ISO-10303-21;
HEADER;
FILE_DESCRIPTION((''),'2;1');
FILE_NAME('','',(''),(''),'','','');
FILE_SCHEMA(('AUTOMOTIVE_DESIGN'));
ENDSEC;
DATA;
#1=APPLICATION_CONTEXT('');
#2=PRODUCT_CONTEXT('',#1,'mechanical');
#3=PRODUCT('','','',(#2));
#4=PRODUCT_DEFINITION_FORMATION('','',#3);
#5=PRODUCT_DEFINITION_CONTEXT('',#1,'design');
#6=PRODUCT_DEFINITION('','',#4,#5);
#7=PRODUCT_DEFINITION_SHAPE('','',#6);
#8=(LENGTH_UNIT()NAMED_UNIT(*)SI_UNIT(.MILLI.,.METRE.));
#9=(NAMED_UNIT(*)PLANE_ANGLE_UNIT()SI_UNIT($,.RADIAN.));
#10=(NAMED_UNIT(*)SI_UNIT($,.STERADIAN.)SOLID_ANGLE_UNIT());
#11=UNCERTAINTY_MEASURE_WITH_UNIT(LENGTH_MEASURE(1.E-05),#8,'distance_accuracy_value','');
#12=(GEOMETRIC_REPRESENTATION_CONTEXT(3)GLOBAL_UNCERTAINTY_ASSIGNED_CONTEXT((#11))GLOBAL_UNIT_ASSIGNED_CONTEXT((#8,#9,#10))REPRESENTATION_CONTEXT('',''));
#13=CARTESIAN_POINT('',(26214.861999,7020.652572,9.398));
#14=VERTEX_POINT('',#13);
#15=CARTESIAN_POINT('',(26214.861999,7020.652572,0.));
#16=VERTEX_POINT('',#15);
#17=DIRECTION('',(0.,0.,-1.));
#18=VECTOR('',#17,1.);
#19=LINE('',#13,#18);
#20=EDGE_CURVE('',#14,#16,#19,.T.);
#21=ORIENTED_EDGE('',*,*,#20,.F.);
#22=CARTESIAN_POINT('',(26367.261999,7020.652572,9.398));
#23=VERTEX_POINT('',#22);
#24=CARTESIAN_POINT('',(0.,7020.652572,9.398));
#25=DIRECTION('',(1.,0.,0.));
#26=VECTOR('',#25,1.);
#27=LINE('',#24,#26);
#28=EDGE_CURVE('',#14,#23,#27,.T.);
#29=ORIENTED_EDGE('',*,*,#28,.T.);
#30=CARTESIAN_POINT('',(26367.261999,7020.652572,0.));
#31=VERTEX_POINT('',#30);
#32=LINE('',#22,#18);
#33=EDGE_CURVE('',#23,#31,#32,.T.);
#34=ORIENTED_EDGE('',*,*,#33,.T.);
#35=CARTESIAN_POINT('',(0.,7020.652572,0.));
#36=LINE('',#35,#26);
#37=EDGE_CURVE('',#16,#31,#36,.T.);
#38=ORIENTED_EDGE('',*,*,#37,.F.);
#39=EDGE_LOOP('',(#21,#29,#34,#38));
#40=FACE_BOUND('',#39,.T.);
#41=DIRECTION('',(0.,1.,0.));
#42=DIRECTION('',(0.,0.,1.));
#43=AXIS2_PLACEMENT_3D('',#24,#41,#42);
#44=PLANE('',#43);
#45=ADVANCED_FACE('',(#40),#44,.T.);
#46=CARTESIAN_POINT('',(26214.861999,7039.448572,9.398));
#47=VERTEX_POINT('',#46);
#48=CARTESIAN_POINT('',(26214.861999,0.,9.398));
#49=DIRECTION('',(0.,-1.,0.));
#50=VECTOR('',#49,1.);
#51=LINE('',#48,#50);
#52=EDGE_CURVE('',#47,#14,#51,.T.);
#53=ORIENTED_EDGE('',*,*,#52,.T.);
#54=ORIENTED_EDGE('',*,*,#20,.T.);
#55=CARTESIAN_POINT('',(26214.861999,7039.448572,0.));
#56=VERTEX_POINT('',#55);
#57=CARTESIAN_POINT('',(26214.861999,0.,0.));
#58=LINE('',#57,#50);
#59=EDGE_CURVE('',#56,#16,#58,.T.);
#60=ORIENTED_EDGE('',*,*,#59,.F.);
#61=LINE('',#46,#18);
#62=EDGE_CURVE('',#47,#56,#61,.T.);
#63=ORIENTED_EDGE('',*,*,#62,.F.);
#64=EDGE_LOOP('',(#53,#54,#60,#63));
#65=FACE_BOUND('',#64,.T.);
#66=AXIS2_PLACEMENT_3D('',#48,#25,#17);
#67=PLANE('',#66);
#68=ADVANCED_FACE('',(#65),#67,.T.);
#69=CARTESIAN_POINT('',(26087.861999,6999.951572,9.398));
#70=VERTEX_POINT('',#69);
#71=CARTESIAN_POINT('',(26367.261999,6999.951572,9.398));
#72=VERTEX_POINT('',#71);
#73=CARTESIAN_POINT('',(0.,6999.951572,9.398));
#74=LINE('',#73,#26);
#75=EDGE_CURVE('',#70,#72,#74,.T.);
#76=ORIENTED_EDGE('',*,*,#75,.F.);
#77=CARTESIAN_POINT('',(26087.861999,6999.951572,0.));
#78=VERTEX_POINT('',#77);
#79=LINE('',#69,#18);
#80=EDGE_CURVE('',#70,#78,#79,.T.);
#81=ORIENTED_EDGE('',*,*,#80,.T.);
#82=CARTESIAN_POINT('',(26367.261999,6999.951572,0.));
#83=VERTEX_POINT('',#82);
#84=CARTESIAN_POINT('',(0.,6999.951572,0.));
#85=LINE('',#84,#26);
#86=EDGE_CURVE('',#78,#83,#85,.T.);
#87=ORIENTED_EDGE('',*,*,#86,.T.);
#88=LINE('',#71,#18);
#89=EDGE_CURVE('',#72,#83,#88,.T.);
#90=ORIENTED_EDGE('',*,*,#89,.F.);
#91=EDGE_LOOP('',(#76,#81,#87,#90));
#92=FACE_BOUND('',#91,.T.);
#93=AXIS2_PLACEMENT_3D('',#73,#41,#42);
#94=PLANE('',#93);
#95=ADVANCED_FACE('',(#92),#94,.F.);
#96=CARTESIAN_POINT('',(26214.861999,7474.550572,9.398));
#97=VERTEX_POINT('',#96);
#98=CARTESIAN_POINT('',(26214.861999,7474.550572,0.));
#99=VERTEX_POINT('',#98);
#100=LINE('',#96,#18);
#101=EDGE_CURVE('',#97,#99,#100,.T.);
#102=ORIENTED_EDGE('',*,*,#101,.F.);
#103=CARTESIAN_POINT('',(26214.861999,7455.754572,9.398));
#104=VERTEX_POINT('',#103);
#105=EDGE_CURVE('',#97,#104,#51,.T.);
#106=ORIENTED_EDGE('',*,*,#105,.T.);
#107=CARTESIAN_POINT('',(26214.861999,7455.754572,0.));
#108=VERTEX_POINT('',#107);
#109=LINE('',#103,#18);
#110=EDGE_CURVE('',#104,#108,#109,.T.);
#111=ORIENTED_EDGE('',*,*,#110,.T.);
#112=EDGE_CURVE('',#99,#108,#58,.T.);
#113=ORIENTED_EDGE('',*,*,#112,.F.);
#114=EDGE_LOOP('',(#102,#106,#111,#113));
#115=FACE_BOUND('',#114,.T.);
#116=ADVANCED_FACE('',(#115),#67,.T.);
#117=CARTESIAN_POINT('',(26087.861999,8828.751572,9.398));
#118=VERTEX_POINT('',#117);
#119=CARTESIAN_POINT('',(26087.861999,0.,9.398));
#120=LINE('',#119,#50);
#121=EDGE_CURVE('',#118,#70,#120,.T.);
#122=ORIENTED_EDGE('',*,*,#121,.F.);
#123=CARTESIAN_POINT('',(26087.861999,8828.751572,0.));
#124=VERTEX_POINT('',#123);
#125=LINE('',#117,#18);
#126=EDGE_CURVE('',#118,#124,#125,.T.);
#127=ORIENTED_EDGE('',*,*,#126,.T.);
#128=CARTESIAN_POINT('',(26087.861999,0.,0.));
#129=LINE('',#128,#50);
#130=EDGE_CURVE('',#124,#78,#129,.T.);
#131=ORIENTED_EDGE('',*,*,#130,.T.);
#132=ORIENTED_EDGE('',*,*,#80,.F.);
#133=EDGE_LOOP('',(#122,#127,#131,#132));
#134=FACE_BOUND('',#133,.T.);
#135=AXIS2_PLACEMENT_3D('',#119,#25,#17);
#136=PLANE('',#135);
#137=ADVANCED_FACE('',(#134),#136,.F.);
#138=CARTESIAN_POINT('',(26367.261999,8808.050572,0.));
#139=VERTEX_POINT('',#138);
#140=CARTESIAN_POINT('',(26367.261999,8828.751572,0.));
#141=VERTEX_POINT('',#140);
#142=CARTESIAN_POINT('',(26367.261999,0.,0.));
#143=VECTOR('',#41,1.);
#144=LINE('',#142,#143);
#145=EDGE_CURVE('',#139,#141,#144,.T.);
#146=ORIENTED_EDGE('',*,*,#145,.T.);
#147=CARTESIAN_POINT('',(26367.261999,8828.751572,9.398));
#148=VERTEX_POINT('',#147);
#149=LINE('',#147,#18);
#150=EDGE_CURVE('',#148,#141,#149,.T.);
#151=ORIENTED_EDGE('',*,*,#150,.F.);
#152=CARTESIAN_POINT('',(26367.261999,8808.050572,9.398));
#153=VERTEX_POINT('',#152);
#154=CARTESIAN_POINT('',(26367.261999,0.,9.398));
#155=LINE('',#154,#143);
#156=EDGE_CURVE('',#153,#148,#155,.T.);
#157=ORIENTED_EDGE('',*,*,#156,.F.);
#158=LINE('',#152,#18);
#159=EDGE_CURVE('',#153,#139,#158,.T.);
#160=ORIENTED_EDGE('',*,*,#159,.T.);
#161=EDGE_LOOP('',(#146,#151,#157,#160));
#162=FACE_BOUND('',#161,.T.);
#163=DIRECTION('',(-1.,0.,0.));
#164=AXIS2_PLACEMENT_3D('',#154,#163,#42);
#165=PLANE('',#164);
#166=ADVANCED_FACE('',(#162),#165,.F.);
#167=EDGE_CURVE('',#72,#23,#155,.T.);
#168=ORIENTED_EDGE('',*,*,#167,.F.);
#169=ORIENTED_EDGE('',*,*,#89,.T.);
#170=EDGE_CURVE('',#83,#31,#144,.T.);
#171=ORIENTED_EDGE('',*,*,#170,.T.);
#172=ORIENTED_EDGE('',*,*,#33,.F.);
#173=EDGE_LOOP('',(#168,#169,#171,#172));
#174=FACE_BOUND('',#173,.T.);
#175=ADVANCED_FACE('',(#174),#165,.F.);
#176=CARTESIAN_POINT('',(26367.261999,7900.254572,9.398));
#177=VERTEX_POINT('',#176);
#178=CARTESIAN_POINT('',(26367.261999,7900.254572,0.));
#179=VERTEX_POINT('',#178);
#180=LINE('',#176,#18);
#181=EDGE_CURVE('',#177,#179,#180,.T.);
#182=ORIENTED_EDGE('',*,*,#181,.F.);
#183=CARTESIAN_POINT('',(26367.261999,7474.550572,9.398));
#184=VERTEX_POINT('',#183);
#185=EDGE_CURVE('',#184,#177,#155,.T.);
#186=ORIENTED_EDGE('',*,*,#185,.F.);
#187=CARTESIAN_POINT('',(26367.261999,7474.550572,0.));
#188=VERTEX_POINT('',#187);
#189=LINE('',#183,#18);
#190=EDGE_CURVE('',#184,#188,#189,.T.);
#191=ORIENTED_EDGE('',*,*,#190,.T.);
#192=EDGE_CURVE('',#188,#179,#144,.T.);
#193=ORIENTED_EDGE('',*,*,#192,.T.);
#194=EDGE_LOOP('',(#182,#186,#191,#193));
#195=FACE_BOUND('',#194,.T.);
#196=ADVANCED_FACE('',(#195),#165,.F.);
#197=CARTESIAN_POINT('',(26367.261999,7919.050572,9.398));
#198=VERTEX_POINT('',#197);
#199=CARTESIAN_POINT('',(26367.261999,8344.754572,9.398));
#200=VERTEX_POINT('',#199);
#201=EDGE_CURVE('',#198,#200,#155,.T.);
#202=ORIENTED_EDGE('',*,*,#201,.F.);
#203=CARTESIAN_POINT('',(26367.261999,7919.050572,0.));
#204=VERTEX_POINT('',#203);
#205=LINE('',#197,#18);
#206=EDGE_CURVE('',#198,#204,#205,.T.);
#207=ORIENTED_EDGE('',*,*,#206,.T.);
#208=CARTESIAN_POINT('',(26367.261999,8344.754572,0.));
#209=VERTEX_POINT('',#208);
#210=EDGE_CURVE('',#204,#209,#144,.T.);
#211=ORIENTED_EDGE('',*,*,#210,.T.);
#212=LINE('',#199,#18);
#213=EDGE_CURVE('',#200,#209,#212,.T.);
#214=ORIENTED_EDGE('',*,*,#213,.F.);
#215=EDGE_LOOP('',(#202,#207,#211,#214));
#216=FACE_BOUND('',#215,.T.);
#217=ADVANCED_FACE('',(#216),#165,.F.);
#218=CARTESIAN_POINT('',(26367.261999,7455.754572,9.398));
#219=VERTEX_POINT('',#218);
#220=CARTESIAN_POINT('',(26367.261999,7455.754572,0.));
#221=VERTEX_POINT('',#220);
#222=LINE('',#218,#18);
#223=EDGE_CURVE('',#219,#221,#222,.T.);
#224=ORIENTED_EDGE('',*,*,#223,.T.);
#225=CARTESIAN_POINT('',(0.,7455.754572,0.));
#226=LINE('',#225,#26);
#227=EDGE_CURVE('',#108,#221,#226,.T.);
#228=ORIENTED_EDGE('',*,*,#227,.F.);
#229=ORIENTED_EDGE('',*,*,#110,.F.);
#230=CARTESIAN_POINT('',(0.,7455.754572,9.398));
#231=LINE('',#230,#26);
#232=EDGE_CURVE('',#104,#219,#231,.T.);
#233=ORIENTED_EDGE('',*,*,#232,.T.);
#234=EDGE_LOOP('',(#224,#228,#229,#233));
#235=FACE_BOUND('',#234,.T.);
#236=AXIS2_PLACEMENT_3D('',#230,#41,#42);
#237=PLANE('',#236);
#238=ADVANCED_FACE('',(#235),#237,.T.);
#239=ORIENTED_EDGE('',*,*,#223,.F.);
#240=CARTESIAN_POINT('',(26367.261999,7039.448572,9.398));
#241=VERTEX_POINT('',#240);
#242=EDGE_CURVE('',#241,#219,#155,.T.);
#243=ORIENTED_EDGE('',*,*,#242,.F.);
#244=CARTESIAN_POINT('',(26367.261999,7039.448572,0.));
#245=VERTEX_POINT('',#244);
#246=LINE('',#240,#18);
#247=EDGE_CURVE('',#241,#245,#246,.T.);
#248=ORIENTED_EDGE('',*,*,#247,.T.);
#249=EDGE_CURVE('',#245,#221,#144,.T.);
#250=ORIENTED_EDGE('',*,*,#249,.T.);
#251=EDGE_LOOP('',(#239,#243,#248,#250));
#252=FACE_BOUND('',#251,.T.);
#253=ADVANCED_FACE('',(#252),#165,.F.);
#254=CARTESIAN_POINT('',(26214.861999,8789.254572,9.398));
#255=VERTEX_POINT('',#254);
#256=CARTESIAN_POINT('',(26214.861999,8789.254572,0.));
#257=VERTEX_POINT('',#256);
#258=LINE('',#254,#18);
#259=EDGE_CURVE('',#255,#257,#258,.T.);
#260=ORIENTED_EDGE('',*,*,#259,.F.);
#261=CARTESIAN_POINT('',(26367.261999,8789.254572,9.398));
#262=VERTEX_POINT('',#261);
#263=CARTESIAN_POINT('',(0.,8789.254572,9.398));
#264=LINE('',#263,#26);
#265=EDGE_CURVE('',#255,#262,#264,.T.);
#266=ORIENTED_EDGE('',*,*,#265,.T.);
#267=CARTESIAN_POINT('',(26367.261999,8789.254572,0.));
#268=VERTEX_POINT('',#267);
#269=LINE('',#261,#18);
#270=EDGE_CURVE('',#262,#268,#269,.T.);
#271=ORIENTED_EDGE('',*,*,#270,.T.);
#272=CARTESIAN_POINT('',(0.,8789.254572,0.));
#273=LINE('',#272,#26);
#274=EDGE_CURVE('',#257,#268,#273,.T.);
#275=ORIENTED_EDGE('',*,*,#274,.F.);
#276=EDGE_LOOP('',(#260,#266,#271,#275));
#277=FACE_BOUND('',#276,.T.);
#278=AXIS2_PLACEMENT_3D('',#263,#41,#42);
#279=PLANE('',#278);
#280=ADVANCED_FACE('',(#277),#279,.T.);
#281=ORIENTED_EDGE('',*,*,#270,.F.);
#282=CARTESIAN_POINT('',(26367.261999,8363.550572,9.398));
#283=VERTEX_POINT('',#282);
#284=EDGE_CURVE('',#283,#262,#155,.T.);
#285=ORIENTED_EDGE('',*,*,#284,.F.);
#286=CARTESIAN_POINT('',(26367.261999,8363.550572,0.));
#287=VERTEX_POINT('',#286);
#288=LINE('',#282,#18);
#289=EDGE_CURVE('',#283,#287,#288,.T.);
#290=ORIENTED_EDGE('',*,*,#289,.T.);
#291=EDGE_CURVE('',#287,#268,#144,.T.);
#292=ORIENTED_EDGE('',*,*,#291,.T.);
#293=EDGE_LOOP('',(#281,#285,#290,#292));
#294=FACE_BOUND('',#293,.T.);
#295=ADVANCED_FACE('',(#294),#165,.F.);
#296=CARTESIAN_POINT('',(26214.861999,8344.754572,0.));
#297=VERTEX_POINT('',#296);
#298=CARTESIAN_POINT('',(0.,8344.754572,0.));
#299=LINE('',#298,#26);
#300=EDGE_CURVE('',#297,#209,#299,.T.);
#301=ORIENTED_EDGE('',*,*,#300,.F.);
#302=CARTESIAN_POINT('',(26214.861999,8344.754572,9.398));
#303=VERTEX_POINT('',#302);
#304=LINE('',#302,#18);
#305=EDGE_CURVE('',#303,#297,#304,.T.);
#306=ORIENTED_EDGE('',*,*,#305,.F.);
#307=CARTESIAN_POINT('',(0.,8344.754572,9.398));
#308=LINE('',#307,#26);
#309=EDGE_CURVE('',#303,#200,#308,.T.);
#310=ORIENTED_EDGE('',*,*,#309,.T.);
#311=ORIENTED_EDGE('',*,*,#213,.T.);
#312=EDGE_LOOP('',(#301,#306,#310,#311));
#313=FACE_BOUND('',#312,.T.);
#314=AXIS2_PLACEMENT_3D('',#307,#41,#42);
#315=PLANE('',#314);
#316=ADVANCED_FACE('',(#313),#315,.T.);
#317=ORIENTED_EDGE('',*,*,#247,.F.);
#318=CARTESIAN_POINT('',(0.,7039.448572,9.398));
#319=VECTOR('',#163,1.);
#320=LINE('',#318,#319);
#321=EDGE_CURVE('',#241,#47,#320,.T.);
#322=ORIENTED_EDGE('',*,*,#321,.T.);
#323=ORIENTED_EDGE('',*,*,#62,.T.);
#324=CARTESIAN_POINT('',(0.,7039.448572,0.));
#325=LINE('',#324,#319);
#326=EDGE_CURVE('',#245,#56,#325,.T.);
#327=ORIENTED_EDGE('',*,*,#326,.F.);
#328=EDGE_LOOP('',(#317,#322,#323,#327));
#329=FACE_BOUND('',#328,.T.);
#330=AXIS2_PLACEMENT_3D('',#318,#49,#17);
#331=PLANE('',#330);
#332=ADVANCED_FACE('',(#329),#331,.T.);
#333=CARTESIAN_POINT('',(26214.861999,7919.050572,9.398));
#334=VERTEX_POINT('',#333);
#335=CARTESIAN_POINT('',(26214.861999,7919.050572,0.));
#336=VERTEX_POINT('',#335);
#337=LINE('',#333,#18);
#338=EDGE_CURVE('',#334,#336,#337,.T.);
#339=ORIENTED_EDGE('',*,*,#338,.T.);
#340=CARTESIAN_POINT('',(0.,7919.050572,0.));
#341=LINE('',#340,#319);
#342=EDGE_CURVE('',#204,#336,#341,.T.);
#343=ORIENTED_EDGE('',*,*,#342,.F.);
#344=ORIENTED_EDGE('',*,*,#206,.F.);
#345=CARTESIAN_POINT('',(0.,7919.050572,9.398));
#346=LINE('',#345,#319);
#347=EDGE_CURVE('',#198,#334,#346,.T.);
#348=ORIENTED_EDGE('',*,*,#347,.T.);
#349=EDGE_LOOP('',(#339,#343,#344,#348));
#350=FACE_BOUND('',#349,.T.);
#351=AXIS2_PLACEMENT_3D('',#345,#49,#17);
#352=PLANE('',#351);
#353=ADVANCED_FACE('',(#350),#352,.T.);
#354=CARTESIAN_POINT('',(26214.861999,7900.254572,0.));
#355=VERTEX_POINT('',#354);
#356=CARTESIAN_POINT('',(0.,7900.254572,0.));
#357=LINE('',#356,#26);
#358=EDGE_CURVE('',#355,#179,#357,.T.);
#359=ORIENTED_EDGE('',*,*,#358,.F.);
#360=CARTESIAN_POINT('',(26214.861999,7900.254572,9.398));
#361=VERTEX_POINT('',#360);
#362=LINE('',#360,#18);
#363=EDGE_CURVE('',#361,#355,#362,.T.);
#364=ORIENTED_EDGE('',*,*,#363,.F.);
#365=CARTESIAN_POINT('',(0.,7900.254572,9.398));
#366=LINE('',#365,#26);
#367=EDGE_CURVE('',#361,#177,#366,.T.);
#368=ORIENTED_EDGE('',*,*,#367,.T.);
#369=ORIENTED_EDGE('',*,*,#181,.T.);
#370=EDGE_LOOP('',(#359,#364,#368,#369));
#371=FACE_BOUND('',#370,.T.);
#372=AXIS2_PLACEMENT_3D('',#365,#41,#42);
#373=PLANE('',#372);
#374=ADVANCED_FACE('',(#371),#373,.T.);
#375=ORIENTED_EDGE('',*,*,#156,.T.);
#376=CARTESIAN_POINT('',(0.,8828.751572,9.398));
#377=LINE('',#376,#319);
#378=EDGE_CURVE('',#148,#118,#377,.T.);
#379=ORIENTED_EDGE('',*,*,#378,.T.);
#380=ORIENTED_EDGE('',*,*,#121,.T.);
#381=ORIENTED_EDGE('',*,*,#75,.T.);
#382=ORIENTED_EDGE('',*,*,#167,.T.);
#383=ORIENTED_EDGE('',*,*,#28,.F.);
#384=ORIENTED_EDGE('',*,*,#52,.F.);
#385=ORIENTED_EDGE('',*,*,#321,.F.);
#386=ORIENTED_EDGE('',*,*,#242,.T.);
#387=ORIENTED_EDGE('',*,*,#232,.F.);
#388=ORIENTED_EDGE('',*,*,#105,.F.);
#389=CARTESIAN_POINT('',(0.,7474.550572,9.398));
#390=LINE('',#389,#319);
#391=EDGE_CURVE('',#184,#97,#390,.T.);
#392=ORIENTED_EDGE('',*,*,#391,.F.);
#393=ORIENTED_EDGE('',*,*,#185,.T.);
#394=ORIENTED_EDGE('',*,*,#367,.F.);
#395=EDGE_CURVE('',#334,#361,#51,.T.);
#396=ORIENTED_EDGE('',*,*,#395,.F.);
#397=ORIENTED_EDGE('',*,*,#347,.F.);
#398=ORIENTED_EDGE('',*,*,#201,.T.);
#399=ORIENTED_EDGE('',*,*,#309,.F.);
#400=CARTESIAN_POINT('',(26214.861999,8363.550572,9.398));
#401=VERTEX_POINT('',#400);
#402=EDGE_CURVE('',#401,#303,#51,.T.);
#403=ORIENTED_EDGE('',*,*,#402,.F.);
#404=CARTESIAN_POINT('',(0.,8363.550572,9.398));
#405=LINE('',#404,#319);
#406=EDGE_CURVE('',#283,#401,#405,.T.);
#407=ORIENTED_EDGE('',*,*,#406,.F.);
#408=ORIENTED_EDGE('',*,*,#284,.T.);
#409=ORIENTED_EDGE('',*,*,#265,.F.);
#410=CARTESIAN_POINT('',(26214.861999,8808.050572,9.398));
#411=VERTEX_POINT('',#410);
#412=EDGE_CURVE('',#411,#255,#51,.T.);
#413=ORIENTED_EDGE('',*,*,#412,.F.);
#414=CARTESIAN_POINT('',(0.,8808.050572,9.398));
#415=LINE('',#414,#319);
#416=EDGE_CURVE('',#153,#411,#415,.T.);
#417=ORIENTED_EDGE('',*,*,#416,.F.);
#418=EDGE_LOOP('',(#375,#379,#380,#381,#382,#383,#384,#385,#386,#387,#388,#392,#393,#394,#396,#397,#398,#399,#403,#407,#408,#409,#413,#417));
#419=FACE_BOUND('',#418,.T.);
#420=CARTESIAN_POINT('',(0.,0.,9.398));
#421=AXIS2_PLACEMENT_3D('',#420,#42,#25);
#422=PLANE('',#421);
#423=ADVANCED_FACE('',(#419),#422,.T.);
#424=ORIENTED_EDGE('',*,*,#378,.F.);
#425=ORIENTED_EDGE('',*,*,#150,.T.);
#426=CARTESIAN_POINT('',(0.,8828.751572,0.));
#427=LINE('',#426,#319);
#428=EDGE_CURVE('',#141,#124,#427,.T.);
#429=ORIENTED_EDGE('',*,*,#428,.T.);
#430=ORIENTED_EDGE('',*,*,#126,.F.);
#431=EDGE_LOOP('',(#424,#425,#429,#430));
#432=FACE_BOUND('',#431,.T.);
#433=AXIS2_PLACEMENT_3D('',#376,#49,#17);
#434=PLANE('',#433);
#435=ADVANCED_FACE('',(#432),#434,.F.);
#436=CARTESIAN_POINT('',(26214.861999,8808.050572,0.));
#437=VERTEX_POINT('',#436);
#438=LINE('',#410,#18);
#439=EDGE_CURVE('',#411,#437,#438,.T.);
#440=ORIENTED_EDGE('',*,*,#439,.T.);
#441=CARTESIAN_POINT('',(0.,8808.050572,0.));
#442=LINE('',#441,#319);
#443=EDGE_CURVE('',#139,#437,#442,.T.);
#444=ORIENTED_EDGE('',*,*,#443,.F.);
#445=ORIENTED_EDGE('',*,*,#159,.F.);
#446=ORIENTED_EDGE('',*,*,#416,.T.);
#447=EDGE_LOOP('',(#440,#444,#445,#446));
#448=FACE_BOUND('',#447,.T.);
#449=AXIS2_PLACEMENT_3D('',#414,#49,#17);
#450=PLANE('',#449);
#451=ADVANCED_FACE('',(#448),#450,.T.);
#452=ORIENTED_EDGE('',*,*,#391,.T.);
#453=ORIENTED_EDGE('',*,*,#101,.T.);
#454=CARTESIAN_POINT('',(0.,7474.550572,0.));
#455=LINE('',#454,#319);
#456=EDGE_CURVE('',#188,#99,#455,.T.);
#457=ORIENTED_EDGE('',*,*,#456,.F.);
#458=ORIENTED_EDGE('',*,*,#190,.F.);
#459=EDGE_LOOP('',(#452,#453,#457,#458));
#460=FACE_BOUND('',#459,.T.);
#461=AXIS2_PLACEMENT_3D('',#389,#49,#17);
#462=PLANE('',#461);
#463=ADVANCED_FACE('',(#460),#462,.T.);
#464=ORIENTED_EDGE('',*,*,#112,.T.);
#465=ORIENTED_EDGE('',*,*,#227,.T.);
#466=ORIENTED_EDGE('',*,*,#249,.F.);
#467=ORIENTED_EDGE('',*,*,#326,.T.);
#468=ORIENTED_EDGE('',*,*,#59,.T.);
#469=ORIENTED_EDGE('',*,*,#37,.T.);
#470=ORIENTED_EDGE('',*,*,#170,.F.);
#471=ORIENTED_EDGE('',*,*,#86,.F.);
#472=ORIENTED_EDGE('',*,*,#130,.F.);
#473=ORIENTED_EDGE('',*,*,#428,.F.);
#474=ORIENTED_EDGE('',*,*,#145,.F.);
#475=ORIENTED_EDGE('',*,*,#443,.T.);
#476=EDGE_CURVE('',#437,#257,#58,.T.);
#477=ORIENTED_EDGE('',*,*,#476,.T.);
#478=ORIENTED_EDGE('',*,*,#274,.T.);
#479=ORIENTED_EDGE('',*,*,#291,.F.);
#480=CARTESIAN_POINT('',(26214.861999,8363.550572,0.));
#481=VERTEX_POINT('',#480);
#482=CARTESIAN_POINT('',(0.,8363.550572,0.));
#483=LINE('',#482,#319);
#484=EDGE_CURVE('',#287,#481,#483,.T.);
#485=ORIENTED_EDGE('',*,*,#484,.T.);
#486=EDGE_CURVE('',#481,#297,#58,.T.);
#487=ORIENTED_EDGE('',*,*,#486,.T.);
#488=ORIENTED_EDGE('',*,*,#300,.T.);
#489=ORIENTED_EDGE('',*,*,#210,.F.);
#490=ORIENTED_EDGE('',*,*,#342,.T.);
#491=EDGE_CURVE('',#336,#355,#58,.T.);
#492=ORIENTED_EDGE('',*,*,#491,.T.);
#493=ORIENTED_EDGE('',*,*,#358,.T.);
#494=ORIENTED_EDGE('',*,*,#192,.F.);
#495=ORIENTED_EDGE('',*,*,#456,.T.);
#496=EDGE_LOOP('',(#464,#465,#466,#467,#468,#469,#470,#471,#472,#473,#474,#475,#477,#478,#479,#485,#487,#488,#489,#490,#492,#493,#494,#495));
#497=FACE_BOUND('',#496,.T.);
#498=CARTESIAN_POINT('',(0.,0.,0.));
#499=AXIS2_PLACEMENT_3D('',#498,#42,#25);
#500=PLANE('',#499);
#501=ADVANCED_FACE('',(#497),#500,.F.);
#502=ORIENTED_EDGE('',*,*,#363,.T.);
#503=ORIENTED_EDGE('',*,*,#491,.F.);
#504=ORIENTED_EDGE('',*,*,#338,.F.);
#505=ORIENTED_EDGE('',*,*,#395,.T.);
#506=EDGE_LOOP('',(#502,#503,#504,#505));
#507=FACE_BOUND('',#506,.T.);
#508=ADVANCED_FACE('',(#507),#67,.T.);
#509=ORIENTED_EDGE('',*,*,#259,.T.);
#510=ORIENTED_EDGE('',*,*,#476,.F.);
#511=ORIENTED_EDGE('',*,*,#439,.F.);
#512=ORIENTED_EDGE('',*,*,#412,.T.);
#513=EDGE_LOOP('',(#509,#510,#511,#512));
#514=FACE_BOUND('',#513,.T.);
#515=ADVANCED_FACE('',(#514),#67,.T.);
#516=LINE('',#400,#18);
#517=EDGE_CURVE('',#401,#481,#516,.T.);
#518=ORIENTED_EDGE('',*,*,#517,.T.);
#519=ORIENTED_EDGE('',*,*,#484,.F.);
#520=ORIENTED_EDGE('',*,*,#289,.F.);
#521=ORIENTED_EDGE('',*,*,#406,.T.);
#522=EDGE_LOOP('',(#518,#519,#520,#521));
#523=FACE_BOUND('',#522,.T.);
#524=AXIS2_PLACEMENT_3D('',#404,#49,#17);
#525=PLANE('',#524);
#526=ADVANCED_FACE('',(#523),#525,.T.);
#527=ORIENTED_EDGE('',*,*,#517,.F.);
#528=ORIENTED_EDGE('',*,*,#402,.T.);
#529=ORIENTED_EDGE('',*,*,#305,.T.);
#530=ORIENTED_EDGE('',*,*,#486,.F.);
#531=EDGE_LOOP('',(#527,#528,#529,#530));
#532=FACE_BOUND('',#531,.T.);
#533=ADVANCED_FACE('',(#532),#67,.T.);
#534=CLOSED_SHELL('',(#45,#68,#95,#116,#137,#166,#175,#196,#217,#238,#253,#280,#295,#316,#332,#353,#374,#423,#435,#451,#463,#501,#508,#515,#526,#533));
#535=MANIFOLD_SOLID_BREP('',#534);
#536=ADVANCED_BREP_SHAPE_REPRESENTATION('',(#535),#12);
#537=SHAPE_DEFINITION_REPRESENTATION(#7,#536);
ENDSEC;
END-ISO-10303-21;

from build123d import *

# Parameters (mm, degrees)
BOSS_EXTRUDE1_DEPTH = 9.398


with BuildPart() as part:
    # Sketch1 → Boss-Extrude1 (new body)
    with BuildSketch(Plane.XY):
        Polygon((26087.861998544, 8828.751571885), (26087.861998544, 6999.951571885), (26367.261998544, 6999.951571885), (26367.261998544, 7020.652571885), (26214.861998544, 7020.652571885), (26214.861998544, 7039.448571885), (26367.261998544, 7039.448571885), (26367.261998544, 7455.754571885), (26214.861998544, 7455.754571885), (26214.861998544, 7474.550571885), (26367.261998544, 7474.550571885), (26367.261998544, 7900.254571885), (26214.861998544, 7900.254571885), (26214.861998544, 7919.050571885), (26367.261998544, 7919.050571885), (26367.261998544, 8344.754571885), (26214.861998544, 8344.754571885), (26214.861998544, 8363.550571885), (26367.261998544, 8363.550571885), (26367.261998544, 8789.254571885), (26214.861998544, 8789.254571885), (26214.861998544, 8808.050571885), (26367.261998544, 8808.050571885), (26367.261998544, 8828.751571885), align=None)
    extrude(amount=BOSS_EXTRUDE1_DEPTH)


solid = part.part
